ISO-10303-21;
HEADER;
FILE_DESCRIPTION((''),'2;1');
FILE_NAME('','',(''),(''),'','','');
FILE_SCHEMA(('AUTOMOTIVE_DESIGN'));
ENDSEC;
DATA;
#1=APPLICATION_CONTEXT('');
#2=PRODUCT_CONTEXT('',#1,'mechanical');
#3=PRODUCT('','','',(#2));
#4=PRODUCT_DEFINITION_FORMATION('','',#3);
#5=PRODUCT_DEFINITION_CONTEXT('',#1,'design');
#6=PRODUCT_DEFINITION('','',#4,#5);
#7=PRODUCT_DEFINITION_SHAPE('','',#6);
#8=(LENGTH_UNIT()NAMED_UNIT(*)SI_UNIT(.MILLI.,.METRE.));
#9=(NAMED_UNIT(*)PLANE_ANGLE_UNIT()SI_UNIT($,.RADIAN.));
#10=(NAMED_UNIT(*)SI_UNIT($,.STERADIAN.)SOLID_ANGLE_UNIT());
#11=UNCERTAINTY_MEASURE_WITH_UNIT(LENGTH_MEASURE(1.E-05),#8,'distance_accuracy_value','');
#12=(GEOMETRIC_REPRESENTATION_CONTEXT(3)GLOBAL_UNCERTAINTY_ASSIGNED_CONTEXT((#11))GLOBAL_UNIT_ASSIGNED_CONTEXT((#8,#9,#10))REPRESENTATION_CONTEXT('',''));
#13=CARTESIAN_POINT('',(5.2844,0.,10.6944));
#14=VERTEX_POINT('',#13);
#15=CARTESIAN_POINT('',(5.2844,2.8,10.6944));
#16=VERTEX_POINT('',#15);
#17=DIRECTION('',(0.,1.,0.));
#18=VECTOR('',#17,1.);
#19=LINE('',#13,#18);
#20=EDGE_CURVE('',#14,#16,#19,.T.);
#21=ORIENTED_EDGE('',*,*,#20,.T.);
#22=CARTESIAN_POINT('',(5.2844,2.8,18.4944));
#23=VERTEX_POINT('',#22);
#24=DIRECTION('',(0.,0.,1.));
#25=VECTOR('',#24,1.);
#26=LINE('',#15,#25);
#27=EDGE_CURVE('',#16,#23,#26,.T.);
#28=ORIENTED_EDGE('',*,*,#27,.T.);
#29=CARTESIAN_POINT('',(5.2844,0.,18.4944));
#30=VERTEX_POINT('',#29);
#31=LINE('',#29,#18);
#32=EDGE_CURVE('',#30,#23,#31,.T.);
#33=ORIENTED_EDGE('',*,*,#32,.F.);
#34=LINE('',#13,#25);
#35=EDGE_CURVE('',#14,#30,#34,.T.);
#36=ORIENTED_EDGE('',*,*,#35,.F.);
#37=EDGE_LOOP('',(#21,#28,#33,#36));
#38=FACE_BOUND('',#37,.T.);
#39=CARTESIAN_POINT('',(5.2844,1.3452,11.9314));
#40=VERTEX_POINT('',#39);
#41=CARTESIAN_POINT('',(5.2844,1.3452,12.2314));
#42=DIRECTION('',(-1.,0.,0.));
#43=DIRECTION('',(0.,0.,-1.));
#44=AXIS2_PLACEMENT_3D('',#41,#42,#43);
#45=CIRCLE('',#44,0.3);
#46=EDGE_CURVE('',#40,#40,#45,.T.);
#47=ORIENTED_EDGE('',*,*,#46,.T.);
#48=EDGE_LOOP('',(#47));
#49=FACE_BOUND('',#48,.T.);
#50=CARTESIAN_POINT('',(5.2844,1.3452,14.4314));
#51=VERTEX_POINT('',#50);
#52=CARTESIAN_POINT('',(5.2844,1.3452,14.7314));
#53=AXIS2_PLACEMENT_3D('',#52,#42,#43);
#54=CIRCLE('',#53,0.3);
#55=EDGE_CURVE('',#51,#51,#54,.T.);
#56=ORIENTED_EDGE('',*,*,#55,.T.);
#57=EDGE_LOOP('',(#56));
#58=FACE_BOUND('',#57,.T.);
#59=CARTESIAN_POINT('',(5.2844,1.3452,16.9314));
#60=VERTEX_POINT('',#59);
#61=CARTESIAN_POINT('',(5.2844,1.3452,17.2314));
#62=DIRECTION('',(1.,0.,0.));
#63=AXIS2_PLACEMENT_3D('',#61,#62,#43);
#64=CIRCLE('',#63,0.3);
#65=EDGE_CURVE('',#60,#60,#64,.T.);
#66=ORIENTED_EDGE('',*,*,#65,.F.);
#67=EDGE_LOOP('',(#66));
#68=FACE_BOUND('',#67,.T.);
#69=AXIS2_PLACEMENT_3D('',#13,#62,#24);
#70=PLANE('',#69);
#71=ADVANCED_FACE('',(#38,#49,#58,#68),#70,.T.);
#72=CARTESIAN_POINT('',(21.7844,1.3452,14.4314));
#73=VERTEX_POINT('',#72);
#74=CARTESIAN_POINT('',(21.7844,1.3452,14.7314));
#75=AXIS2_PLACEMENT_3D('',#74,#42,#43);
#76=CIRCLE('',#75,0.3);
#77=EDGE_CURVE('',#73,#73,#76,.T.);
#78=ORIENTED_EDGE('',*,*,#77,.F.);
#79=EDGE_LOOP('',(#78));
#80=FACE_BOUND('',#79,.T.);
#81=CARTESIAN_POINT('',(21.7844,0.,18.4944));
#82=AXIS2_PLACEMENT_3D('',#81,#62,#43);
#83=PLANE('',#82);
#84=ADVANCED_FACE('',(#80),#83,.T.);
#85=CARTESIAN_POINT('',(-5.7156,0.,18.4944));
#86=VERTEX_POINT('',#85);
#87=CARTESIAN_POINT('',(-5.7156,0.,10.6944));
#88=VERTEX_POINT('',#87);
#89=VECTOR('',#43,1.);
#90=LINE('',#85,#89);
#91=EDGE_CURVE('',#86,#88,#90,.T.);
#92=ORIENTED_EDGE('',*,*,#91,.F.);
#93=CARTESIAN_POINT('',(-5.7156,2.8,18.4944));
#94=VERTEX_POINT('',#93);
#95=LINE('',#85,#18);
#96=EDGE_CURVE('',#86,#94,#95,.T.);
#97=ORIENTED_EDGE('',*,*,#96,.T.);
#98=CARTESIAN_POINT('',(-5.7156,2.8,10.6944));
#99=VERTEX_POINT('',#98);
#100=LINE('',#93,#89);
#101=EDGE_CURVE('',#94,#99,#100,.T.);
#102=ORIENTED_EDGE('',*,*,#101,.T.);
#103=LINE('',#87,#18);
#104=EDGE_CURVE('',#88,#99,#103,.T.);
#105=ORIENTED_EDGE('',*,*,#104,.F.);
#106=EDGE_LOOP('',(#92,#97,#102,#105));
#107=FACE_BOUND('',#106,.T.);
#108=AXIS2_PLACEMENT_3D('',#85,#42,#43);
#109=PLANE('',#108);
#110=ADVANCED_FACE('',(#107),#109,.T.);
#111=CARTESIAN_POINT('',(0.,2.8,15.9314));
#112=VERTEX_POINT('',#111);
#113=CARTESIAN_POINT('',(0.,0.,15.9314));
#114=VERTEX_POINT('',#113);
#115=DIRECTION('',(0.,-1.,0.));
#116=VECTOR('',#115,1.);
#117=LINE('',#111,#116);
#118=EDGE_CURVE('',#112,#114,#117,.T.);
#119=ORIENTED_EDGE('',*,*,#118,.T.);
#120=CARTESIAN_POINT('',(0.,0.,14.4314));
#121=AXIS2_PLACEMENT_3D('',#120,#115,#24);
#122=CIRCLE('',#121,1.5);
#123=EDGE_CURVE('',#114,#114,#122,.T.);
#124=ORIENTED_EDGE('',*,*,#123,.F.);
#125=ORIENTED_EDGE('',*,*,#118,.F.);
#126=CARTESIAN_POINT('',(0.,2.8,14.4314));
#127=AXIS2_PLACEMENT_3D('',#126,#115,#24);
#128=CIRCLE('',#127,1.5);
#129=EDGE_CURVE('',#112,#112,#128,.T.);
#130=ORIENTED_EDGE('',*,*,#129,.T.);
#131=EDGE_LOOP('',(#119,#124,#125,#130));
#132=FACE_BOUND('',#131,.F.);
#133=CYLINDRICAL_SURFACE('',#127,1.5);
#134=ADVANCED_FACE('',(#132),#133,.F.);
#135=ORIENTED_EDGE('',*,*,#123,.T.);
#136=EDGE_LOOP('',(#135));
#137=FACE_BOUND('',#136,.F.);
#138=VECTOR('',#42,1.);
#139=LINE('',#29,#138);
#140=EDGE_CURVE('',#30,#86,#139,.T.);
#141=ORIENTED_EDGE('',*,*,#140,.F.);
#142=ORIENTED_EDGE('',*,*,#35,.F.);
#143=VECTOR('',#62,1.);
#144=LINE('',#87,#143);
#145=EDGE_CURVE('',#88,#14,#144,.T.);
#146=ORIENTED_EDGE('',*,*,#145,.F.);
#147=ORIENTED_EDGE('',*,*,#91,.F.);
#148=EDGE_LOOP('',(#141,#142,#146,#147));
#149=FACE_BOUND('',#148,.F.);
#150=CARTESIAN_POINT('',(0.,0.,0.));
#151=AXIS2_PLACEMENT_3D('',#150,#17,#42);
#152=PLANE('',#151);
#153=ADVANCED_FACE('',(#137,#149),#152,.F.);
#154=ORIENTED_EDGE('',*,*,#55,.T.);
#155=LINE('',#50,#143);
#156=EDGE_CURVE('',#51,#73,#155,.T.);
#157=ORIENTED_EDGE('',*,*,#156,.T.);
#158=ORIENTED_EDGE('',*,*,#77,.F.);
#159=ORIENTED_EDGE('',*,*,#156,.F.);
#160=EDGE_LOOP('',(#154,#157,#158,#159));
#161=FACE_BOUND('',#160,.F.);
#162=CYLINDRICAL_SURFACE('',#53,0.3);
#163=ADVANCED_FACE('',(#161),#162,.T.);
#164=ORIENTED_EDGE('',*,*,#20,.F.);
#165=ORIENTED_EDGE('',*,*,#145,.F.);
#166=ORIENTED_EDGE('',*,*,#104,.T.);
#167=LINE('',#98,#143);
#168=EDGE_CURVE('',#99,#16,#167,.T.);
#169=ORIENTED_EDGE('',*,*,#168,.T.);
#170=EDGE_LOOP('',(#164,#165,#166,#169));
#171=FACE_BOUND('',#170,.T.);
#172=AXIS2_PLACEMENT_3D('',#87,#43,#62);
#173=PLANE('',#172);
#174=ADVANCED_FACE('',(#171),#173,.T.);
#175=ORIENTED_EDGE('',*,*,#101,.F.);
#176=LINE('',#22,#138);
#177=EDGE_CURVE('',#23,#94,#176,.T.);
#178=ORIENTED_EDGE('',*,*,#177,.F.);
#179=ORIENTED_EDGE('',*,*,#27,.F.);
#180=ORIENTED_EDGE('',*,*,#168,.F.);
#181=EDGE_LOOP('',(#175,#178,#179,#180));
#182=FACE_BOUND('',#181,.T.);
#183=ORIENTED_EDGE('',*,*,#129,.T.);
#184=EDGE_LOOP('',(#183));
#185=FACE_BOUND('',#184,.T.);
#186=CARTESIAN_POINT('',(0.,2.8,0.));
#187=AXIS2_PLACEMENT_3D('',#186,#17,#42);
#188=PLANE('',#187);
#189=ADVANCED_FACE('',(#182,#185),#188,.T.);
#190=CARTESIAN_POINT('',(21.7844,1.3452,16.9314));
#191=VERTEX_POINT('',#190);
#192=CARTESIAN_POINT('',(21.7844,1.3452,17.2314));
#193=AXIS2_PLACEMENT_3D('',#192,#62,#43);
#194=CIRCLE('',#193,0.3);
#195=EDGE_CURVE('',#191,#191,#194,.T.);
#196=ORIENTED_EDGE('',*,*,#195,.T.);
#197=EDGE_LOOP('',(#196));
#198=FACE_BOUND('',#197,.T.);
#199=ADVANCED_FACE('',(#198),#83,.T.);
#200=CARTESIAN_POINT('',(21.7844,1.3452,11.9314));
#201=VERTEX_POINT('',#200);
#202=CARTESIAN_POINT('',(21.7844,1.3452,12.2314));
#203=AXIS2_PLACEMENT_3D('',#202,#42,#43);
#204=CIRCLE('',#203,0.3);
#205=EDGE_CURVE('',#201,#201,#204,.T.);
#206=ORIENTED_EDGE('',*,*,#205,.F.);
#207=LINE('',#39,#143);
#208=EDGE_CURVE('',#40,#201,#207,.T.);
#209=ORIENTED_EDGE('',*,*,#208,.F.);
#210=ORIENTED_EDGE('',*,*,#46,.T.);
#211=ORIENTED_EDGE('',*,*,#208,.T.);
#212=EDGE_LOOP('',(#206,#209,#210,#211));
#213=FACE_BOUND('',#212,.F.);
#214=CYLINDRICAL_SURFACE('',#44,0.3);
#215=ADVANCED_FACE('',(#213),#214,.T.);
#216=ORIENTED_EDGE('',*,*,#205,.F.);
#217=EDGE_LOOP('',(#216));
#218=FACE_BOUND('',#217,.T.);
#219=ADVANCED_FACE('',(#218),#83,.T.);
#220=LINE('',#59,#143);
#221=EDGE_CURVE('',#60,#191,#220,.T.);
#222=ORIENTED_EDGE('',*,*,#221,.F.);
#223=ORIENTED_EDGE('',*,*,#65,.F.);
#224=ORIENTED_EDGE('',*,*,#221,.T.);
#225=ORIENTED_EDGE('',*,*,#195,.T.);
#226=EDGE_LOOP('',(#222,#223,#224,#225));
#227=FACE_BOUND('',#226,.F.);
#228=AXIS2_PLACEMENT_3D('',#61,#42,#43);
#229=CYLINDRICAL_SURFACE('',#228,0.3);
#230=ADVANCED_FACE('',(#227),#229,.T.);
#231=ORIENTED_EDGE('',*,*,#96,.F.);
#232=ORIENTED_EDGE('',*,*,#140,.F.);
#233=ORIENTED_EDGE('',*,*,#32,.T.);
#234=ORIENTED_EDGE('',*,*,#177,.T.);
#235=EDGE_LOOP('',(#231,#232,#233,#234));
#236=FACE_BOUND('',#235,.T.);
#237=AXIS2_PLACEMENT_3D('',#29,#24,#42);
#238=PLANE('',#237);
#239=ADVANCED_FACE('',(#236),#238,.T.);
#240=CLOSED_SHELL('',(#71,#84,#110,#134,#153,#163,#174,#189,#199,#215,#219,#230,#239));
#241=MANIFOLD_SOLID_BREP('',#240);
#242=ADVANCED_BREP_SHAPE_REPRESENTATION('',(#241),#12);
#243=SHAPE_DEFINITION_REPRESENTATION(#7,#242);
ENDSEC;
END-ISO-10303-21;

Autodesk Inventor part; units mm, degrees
ref_plane "YZ Plane" through (0, 0, 0) normal (1, 0, 0) x (0, 1, 0)
ref_plane "XZ Plane" through (0, 0, 0) normal (0, 1, 0) x (-1, 0, 0)
ref_plane "XY Plane" through (0, 0, 0) normal (0, 0, 1) x (1, 0, 0)
sketch "Sketch1" plane through (0, 0, 0) normal (0, 1, 0) x (-1, 0, 0)
  line L0 (5.7156, 18.4944) -> (5.7156, 10.6944)
  line L1 (5.7156, 10.6944) -> (-5.2844, 10.6944)
  line L2 (-5.2844, 10.6944) -> (-5.2844, 18.4944)
  line L3 (-5.2844, 18.4944) -> (5.7156, 18.4944)
  point P0 (0, 0)
  dimension "d3" = 7.8
  dimension "d4" = 11
  dimension "d5" = 7.8
  dimension "d6" = 11
extrude "Extrusion1" add sketch "Sketch1" along normal blind 2.8
sketch "Sketch2" plane through (5.2844, 0, 18.4944) normal (1, 0, 0) x (0, 0, -1)
  circle A0 centre (1.263, 1.3452) radius 0.3
  point P0 (18.4944, 0)
  dimension "d10" = 0.6
extrude "Extrusion2" add sketch "Sketch2" along normal blind 16.5
sketch "Sketch3" plane through (5.2844, 0, 18.4944) normal (1, 0, 0) x (0, 0, -1)
  circle A0 centre (1.263, 1.3452) radius 0.3 projected
  line L0 (1.263, 1.3452) -> (3.763, 1.3452)
  circle A1 centre (3.763, 1.3452) radius 0.3
  point P0 (18.4944, 0)
  dimension "d13" = 2.5
  dimension "d14" = 0.6
extrude "Extrusion3" add sketch "Sketch3" along normal blind 16.5 contours A1
sketch "Sketch4" plane through (5.2844, 0, 18.4944) normal (1, 0, 0) x (0, 0, -1)
  circle A0 centre (3.763, 1.3452) radius 0.3 projected
  line L0 (3.763, 1.3452) -> (6.263, 1.3452)
  circle A1 centre (6.263, 1.3452) radius 0.3
  point P0 (18.4944, 0)
  dimension "d17" = 2.5
  dimension "d18" = 0.6
extrude "Extrusion4" add sketch "Sketch4" along normal blind 16.5 contours A1
sketch "Sketch6" plane through (0, 2.8, 0) normal (0, 1, 0) x (1, 0, 0)
  circle A0 centre (0, -14.4314) radius 1.5 projected
  point P0 (0, 0)
hole "Hole1" at (0, 2.8, 14.4314) direction (0, -1, 0) diameter 3 end through all
properties part number "Transistor" material "Copper, Alloy"
